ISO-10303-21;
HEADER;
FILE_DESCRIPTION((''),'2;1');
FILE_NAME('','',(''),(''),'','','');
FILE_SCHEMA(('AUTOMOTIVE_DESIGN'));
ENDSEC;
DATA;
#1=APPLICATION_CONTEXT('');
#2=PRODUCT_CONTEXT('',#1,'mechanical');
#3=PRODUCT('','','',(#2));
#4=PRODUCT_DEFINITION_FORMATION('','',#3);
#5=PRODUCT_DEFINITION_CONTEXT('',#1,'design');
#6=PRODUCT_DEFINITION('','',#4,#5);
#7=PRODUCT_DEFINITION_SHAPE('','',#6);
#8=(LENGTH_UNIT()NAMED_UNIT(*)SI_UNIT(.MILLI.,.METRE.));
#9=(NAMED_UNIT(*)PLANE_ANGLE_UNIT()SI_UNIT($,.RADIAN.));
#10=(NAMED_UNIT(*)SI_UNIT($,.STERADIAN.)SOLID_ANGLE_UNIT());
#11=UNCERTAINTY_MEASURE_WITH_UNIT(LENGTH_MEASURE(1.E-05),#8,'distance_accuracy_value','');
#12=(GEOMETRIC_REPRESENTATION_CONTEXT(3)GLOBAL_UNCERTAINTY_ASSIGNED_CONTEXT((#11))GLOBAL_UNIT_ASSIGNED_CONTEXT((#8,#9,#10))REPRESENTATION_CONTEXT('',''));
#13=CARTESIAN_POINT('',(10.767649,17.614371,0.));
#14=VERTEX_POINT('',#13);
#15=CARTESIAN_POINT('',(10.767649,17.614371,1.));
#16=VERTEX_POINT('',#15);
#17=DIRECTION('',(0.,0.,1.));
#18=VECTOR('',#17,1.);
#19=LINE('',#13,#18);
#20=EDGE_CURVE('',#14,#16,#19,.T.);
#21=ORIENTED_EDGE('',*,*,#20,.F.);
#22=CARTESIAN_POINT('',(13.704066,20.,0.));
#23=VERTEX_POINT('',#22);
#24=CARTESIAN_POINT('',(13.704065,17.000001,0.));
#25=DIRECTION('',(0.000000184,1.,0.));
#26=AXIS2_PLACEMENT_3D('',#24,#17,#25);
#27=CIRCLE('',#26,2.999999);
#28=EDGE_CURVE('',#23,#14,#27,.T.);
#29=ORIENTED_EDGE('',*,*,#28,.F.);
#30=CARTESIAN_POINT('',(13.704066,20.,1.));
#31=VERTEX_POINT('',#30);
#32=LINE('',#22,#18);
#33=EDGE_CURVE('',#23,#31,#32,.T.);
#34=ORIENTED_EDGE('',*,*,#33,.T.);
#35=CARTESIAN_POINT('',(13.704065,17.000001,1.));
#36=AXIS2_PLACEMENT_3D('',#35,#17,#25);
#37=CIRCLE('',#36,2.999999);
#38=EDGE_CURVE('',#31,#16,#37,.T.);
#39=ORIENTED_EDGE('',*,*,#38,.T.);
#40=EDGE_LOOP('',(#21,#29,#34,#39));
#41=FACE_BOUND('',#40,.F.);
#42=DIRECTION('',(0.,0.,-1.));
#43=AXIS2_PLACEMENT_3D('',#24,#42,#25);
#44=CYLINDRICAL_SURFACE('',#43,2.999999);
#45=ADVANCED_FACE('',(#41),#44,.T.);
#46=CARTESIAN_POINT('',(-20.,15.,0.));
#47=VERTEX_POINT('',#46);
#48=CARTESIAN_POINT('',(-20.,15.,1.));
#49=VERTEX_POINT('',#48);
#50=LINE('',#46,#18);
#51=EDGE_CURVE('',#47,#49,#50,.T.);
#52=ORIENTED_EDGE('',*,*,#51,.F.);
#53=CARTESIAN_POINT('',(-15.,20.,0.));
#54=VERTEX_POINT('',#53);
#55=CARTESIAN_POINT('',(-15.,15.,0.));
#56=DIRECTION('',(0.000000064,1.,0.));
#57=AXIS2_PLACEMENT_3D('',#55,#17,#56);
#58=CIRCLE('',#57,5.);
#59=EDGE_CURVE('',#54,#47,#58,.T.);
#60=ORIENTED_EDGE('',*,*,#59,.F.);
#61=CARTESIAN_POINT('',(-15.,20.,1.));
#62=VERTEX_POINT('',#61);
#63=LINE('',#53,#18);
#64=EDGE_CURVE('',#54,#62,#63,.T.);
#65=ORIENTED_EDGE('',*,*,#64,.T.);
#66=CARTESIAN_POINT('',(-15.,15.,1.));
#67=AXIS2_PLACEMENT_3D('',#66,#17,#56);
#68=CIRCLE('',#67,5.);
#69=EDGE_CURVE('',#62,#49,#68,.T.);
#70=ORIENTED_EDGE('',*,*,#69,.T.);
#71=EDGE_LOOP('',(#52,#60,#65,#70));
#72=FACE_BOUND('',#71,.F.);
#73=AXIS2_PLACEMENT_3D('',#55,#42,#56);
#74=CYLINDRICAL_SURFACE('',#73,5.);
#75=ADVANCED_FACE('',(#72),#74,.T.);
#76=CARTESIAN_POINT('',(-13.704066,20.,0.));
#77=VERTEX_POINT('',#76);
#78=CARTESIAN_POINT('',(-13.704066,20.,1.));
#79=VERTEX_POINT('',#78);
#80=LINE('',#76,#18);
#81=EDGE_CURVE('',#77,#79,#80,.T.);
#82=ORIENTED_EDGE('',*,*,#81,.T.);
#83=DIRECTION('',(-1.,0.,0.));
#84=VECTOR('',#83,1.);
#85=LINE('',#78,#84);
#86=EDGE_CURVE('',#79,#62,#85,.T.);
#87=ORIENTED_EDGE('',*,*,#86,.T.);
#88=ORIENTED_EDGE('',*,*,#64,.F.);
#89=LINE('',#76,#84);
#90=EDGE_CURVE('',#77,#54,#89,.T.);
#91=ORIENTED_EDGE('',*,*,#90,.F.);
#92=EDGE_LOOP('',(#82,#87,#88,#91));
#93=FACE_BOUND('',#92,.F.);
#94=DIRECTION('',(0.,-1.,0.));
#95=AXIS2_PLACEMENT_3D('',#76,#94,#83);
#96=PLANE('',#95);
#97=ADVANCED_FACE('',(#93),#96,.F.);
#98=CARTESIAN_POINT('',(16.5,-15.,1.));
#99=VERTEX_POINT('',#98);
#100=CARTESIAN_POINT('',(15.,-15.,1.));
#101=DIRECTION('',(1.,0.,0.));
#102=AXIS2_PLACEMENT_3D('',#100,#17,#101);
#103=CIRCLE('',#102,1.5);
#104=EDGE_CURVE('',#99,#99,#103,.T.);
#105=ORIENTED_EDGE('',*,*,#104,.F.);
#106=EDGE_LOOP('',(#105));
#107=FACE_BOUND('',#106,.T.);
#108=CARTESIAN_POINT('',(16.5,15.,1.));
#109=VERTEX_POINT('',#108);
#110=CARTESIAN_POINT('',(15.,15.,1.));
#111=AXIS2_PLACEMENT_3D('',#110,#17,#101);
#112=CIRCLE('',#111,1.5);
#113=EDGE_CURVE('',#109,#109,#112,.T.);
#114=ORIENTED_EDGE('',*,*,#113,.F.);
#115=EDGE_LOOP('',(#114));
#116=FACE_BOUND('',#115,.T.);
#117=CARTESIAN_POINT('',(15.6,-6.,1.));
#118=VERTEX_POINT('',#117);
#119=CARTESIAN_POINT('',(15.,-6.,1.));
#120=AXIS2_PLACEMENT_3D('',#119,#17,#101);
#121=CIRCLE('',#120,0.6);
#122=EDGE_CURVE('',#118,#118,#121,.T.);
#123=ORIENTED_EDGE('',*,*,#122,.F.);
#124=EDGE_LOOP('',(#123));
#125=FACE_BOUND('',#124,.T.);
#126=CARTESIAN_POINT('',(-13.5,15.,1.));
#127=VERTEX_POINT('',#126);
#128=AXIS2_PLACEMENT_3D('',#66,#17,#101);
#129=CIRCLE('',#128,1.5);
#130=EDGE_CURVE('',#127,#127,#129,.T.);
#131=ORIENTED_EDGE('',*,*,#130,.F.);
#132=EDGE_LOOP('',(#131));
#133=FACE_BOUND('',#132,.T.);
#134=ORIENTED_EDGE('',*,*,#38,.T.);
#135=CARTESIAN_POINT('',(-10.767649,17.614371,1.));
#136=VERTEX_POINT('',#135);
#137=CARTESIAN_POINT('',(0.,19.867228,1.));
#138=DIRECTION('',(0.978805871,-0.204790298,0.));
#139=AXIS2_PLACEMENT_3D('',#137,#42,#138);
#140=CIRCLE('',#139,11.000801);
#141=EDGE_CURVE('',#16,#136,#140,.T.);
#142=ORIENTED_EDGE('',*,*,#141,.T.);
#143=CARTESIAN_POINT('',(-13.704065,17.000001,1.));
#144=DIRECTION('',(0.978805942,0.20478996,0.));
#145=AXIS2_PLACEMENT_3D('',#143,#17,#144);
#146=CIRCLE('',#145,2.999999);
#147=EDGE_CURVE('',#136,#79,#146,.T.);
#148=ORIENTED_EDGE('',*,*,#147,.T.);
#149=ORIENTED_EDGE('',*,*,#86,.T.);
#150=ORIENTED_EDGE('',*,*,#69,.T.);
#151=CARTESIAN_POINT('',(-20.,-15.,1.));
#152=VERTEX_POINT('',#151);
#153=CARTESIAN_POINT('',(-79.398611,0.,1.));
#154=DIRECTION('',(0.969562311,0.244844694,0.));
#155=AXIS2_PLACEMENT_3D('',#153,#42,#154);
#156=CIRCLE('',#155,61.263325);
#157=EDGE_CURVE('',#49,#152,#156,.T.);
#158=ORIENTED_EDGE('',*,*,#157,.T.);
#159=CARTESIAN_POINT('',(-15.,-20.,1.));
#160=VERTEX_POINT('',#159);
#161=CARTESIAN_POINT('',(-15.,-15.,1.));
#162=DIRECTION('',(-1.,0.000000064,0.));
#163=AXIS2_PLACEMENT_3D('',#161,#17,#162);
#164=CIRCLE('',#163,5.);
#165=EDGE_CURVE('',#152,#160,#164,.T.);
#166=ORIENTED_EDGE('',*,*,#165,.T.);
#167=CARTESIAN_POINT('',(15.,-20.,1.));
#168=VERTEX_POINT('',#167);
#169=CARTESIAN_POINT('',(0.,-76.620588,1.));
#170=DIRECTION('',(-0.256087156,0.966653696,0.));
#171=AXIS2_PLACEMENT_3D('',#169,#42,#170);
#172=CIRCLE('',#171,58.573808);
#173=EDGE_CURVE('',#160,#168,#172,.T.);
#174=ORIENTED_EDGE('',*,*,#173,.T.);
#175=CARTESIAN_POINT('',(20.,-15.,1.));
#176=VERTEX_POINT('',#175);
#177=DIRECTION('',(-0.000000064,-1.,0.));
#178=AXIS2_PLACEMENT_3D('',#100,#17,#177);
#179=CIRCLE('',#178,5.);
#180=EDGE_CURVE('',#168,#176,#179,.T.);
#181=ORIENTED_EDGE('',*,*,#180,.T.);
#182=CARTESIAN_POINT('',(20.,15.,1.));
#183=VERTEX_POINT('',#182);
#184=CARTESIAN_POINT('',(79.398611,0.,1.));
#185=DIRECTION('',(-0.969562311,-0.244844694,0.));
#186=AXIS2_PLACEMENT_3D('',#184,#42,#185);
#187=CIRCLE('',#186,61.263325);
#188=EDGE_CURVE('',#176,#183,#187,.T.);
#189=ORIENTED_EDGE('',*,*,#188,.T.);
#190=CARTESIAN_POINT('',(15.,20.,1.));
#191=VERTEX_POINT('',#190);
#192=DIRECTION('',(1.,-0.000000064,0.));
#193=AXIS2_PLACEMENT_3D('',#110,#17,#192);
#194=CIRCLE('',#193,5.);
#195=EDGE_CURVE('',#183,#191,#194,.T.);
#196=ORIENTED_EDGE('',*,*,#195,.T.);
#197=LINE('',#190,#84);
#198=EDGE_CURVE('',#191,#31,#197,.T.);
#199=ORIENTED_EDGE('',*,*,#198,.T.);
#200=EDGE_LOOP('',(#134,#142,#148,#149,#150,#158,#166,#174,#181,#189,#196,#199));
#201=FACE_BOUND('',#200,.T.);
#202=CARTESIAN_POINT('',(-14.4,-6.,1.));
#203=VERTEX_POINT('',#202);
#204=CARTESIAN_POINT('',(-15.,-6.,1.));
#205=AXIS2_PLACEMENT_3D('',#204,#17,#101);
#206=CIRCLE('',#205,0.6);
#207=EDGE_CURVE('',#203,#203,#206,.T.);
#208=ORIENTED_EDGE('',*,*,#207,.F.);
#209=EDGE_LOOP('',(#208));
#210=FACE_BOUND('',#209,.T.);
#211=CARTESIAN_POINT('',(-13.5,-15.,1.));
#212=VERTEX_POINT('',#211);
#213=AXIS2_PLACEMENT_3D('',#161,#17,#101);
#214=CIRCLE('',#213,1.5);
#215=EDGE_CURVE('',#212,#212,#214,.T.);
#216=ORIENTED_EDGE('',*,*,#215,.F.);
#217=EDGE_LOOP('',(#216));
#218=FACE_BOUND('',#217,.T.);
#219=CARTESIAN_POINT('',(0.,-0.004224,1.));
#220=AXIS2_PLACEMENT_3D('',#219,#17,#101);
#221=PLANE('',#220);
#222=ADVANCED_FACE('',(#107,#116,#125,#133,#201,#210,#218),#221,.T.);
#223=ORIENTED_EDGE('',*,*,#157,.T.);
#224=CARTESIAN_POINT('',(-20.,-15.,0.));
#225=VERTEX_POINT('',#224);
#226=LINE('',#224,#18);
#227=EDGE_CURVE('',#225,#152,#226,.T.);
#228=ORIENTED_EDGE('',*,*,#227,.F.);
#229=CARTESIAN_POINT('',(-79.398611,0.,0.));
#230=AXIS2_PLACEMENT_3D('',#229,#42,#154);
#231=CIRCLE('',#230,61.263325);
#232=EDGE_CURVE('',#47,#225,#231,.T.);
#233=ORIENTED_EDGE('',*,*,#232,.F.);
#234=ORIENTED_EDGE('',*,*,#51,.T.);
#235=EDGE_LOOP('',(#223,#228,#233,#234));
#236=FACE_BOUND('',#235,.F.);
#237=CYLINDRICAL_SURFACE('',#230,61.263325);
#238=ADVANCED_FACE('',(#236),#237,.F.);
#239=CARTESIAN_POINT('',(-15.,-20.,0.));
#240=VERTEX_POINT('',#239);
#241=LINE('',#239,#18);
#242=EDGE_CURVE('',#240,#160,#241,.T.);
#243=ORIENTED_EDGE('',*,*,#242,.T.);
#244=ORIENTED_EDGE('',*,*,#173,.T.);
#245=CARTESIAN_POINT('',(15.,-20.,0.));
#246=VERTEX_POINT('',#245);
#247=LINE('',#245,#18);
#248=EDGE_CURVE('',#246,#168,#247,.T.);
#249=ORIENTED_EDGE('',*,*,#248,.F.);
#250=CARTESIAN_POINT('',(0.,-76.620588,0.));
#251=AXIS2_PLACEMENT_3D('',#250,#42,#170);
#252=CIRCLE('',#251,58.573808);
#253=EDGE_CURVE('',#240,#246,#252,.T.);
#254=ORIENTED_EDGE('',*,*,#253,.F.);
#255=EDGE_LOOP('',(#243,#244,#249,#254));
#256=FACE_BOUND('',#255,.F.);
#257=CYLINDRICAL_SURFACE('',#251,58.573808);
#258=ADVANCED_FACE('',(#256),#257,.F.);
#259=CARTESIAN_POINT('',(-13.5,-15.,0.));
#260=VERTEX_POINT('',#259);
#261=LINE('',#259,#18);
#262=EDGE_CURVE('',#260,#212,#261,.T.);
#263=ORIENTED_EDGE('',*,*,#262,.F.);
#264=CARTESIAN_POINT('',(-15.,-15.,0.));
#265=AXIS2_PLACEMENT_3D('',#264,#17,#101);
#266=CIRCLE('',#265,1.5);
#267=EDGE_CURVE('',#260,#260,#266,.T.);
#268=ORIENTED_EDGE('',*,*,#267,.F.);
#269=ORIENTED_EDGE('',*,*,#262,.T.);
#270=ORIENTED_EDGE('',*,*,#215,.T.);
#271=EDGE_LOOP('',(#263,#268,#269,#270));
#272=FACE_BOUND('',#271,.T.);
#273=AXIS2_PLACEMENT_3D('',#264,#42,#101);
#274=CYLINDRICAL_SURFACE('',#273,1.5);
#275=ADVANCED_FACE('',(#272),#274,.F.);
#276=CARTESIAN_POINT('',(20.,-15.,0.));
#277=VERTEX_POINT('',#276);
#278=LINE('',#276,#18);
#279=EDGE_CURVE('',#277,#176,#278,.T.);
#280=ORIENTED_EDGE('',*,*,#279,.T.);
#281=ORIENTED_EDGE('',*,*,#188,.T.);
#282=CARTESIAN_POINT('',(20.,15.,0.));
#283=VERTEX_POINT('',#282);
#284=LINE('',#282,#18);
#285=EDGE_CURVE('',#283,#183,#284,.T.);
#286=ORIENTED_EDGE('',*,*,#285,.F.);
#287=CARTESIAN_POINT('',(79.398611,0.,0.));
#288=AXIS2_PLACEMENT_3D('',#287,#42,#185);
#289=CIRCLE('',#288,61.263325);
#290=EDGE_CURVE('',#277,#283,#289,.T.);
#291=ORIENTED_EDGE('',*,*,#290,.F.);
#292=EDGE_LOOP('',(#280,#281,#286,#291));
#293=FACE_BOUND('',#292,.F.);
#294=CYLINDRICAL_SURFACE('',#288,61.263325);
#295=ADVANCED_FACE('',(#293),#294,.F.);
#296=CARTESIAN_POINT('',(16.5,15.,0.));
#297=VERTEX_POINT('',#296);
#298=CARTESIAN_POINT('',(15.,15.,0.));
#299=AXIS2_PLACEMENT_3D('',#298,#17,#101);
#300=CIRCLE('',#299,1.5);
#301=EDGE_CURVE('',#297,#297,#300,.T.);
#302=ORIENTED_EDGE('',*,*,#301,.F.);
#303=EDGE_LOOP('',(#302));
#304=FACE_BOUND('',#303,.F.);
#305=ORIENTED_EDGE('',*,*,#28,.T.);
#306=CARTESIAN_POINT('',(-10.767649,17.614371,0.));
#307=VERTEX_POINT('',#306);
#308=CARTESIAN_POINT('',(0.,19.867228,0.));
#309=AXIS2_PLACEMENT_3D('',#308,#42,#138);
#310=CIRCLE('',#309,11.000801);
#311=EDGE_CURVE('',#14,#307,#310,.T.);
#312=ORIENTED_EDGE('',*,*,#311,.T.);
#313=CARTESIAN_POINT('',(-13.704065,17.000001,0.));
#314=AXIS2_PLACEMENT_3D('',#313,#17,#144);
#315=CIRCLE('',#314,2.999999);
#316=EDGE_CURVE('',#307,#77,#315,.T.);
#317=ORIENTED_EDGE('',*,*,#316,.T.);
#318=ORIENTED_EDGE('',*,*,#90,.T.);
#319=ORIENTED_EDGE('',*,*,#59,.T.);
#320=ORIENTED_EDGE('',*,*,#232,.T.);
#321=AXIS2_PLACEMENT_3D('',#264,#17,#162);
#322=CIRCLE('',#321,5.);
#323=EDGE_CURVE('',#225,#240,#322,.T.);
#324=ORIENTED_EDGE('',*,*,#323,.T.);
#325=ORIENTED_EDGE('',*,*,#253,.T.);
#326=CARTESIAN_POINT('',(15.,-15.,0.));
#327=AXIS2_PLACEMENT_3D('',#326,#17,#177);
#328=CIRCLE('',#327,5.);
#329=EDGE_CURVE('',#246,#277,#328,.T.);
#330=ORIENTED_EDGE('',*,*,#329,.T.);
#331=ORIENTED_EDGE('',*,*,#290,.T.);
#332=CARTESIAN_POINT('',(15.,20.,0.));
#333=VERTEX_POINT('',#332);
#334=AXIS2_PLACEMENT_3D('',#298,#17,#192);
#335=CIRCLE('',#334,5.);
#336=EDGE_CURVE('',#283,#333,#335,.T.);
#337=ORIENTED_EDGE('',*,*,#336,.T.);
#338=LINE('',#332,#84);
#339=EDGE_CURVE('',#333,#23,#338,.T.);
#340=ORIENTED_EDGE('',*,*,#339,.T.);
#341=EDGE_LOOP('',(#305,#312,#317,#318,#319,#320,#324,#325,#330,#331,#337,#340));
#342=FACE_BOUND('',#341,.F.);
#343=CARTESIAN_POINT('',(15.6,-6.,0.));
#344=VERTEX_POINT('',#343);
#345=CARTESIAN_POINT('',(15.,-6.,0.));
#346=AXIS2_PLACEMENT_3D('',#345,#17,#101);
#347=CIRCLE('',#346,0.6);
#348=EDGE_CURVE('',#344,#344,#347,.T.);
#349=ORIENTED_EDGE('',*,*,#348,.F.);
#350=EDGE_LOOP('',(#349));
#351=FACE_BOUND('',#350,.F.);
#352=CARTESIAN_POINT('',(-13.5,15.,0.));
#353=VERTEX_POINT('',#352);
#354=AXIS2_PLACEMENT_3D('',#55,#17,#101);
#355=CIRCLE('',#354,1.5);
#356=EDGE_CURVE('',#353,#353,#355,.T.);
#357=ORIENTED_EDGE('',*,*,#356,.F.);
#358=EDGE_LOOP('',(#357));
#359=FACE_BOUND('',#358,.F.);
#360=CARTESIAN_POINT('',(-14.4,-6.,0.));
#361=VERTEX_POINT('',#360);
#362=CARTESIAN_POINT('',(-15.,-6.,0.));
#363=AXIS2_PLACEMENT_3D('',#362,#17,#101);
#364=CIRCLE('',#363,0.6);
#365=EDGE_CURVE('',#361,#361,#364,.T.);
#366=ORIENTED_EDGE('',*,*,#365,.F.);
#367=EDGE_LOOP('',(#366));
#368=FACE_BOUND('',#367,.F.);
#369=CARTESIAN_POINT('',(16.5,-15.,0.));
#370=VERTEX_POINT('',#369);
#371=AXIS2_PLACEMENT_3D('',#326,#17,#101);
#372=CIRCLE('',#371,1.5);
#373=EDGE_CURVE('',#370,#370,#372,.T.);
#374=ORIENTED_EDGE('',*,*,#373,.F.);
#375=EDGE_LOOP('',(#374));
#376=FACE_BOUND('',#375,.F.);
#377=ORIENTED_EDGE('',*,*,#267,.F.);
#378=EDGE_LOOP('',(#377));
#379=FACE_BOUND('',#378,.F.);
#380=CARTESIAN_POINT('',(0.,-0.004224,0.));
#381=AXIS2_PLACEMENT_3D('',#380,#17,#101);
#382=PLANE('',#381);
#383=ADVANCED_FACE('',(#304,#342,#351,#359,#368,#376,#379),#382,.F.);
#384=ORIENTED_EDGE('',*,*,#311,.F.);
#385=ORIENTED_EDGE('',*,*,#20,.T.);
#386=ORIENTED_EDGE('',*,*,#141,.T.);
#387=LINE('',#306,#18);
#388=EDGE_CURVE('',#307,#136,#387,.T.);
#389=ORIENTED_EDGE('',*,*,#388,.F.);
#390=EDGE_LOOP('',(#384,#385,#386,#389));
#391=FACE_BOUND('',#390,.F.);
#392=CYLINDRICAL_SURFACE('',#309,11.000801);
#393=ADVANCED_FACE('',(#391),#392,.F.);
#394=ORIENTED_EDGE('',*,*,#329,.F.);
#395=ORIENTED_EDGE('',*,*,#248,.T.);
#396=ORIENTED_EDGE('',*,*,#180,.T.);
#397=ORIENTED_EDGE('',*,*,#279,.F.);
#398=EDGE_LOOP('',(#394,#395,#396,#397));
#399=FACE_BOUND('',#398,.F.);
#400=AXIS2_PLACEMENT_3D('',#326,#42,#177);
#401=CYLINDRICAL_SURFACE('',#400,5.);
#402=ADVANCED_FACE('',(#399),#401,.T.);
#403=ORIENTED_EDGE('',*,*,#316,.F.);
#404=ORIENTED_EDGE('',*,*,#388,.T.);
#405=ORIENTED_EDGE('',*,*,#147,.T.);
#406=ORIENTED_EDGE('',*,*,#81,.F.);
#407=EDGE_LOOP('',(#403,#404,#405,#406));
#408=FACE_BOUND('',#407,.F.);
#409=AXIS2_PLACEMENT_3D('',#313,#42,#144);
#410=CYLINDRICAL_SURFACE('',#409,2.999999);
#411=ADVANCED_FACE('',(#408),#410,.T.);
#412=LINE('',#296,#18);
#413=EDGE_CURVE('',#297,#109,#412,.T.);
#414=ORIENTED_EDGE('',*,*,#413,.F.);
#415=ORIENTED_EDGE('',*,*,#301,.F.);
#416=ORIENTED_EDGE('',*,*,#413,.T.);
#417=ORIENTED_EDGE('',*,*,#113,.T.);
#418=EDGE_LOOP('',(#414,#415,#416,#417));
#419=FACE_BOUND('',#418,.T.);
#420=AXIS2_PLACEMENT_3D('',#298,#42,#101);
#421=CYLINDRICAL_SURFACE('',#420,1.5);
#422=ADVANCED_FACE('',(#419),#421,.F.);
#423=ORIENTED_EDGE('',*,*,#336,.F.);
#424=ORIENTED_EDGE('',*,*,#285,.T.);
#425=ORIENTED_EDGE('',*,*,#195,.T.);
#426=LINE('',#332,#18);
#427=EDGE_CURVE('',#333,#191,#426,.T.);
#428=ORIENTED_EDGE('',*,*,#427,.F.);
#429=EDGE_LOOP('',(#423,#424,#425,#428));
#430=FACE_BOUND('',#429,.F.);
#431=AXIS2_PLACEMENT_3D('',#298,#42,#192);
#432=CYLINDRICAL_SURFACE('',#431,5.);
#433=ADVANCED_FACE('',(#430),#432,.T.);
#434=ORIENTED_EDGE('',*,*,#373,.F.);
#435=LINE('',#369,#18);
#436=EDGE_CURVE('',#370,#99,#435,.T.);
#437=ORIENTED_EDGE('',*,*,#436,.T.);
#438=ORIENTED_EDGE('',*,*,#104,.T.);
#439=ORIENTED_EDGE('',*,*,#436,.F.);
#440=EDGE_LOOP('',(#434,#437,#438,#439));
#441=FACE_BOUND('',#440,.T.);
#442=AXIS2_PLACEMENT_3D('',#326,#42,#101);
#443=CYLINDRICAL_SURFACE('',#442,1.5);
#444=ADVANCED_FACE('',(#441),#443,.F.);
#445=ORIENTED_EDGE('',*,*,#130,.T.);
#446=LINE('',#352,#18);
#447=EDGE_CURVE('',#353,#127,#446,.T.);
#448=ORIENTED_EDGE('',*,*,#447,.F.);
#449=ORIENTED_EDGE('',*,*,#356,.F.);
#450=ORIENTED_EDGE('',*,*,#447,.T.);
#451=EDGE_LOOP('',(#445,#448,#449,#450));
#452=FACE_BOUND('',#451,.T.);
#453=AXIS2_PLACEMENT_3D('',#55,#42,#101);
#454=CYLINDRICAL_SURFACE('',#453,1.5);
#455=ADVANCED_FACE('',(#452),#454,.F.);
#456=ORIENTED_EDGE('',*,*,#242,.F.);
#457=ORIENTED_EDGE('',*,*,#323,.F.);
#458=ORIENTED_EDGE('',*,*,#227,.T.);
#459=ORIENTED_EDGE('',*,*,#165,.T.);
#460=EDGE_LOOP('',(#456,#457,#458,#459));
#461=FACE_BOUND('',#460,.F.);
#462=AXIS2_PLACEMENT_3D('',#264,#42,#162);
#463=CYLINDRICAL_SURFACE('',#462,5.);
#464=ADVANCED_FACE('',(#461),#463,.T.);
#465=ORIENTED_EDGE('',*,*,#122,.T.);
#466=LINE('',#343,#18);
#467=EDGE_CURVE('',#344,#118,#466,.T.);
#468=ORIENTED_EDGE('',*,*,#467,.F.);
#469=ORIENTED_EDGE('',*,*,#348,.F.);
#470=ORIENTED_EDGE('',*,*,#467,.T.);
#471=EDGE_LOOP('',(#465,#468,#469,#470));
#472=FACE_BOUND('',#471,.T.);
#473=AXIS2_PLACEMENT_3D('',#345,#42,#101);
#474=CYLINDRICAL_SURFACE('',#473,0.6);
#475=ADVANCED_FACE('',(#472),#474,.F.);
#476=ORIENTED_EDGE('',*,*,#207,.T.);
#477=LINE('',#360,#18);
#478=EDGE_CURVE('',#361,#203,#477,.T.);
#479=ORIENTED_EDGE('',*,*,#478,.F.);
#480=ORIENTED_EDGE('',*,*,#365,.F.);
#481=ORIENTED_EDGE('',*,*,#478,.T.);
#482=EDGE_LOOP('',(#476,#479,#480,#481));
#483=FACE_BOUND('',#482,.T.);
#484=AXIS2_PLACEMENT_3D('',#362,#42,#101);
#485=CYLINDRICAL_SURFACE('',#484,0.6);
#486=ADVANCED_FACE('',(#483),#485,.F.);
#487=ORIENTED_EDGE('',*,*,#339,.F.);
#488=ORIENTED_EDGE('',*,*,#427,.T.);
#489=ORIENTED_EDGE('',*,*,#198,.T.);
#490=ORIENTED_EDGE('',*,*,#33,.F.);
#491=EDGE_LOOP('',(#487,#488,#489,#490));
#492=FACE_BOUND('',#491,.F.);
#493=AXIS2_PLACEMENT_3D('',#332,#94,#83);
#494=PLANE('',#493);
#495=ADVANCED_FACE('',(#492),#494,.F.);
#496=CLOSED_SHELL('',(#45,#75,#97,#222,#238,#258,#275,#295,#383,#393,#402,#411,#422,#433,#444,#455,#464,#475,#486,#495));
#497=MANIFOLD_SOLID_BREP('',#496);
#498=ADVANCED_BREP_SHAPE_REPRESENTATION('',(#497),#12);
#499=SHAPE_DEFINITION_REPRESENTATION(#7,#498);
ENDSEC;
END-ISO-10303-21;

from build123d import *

# Parameters (mm, degrees)
F0_R     = 1.5
F0_R_2   = 0.6
F1_DEPTH = 1


with BuildPart() as f1:
    # F0 (on Top) → F1 (new body)
    with BuildSketch(Plane.XY):
        with BuildLine():
            Line((-13.704066, 20), (-15, 20))
            ThreePointArc((-15, 20), (-18.535534, 18.535534), (-20, 15))
            ThreePointArc((-20, 15), (-18.135286, 0), (-20, -15))
            ThreePointArc((-20, -15), (-18.535534, -18.535534), (-15, -20))
            ThreePointArc((-15, -20), (0, -18.04678), (15, -20))
            ThreePointArc((15, -20), (18.535534, -18.535534), (20, -15))
            ThreePointArc((20, -15), (18.135286, 0), (20, 15))
            ThreePointArc((20, 15), (18.535534, 18.535534), (15, 20))
            Line((15, 20), (13.704066, 20))
            ThreePointArc((13.704066, 20), (11.812389, 19.328424), (10.767649, 17.614371))
            ThreePointArc((10.767649, 17.614371), (0, 8.866427), (-10.767649, 17.614371))
            ThreePointArc((-10.767649, 17.614371), (-11.812389, 19.328424), (-13.704066, 20))
        make_face()
        with Locations((-15, -15)):
            Circle(F0_R, mode=Mode.SUBTRACT)
        with Locations((-15, -6)):
            Circle(F0_R_2, mode=Mode.SUBTRACT)
        with Locations((15, -15)):
            Circle(F0_R, mode=Mode.SUBTRACT)
        with Locations((15, -6)):
            Circle(F0_R_2, mode=Mode.SUBTRACT)
        with Locations((-15, 15)):
            Circle(F0_R, mode=Mode.SUBTRACT)
        with Locations((15, 15)):
            Circle(F0_R, mode=Mode.SUBTRACT)
    extrude(amount=F1_DEPTH)


solid = f1.part
